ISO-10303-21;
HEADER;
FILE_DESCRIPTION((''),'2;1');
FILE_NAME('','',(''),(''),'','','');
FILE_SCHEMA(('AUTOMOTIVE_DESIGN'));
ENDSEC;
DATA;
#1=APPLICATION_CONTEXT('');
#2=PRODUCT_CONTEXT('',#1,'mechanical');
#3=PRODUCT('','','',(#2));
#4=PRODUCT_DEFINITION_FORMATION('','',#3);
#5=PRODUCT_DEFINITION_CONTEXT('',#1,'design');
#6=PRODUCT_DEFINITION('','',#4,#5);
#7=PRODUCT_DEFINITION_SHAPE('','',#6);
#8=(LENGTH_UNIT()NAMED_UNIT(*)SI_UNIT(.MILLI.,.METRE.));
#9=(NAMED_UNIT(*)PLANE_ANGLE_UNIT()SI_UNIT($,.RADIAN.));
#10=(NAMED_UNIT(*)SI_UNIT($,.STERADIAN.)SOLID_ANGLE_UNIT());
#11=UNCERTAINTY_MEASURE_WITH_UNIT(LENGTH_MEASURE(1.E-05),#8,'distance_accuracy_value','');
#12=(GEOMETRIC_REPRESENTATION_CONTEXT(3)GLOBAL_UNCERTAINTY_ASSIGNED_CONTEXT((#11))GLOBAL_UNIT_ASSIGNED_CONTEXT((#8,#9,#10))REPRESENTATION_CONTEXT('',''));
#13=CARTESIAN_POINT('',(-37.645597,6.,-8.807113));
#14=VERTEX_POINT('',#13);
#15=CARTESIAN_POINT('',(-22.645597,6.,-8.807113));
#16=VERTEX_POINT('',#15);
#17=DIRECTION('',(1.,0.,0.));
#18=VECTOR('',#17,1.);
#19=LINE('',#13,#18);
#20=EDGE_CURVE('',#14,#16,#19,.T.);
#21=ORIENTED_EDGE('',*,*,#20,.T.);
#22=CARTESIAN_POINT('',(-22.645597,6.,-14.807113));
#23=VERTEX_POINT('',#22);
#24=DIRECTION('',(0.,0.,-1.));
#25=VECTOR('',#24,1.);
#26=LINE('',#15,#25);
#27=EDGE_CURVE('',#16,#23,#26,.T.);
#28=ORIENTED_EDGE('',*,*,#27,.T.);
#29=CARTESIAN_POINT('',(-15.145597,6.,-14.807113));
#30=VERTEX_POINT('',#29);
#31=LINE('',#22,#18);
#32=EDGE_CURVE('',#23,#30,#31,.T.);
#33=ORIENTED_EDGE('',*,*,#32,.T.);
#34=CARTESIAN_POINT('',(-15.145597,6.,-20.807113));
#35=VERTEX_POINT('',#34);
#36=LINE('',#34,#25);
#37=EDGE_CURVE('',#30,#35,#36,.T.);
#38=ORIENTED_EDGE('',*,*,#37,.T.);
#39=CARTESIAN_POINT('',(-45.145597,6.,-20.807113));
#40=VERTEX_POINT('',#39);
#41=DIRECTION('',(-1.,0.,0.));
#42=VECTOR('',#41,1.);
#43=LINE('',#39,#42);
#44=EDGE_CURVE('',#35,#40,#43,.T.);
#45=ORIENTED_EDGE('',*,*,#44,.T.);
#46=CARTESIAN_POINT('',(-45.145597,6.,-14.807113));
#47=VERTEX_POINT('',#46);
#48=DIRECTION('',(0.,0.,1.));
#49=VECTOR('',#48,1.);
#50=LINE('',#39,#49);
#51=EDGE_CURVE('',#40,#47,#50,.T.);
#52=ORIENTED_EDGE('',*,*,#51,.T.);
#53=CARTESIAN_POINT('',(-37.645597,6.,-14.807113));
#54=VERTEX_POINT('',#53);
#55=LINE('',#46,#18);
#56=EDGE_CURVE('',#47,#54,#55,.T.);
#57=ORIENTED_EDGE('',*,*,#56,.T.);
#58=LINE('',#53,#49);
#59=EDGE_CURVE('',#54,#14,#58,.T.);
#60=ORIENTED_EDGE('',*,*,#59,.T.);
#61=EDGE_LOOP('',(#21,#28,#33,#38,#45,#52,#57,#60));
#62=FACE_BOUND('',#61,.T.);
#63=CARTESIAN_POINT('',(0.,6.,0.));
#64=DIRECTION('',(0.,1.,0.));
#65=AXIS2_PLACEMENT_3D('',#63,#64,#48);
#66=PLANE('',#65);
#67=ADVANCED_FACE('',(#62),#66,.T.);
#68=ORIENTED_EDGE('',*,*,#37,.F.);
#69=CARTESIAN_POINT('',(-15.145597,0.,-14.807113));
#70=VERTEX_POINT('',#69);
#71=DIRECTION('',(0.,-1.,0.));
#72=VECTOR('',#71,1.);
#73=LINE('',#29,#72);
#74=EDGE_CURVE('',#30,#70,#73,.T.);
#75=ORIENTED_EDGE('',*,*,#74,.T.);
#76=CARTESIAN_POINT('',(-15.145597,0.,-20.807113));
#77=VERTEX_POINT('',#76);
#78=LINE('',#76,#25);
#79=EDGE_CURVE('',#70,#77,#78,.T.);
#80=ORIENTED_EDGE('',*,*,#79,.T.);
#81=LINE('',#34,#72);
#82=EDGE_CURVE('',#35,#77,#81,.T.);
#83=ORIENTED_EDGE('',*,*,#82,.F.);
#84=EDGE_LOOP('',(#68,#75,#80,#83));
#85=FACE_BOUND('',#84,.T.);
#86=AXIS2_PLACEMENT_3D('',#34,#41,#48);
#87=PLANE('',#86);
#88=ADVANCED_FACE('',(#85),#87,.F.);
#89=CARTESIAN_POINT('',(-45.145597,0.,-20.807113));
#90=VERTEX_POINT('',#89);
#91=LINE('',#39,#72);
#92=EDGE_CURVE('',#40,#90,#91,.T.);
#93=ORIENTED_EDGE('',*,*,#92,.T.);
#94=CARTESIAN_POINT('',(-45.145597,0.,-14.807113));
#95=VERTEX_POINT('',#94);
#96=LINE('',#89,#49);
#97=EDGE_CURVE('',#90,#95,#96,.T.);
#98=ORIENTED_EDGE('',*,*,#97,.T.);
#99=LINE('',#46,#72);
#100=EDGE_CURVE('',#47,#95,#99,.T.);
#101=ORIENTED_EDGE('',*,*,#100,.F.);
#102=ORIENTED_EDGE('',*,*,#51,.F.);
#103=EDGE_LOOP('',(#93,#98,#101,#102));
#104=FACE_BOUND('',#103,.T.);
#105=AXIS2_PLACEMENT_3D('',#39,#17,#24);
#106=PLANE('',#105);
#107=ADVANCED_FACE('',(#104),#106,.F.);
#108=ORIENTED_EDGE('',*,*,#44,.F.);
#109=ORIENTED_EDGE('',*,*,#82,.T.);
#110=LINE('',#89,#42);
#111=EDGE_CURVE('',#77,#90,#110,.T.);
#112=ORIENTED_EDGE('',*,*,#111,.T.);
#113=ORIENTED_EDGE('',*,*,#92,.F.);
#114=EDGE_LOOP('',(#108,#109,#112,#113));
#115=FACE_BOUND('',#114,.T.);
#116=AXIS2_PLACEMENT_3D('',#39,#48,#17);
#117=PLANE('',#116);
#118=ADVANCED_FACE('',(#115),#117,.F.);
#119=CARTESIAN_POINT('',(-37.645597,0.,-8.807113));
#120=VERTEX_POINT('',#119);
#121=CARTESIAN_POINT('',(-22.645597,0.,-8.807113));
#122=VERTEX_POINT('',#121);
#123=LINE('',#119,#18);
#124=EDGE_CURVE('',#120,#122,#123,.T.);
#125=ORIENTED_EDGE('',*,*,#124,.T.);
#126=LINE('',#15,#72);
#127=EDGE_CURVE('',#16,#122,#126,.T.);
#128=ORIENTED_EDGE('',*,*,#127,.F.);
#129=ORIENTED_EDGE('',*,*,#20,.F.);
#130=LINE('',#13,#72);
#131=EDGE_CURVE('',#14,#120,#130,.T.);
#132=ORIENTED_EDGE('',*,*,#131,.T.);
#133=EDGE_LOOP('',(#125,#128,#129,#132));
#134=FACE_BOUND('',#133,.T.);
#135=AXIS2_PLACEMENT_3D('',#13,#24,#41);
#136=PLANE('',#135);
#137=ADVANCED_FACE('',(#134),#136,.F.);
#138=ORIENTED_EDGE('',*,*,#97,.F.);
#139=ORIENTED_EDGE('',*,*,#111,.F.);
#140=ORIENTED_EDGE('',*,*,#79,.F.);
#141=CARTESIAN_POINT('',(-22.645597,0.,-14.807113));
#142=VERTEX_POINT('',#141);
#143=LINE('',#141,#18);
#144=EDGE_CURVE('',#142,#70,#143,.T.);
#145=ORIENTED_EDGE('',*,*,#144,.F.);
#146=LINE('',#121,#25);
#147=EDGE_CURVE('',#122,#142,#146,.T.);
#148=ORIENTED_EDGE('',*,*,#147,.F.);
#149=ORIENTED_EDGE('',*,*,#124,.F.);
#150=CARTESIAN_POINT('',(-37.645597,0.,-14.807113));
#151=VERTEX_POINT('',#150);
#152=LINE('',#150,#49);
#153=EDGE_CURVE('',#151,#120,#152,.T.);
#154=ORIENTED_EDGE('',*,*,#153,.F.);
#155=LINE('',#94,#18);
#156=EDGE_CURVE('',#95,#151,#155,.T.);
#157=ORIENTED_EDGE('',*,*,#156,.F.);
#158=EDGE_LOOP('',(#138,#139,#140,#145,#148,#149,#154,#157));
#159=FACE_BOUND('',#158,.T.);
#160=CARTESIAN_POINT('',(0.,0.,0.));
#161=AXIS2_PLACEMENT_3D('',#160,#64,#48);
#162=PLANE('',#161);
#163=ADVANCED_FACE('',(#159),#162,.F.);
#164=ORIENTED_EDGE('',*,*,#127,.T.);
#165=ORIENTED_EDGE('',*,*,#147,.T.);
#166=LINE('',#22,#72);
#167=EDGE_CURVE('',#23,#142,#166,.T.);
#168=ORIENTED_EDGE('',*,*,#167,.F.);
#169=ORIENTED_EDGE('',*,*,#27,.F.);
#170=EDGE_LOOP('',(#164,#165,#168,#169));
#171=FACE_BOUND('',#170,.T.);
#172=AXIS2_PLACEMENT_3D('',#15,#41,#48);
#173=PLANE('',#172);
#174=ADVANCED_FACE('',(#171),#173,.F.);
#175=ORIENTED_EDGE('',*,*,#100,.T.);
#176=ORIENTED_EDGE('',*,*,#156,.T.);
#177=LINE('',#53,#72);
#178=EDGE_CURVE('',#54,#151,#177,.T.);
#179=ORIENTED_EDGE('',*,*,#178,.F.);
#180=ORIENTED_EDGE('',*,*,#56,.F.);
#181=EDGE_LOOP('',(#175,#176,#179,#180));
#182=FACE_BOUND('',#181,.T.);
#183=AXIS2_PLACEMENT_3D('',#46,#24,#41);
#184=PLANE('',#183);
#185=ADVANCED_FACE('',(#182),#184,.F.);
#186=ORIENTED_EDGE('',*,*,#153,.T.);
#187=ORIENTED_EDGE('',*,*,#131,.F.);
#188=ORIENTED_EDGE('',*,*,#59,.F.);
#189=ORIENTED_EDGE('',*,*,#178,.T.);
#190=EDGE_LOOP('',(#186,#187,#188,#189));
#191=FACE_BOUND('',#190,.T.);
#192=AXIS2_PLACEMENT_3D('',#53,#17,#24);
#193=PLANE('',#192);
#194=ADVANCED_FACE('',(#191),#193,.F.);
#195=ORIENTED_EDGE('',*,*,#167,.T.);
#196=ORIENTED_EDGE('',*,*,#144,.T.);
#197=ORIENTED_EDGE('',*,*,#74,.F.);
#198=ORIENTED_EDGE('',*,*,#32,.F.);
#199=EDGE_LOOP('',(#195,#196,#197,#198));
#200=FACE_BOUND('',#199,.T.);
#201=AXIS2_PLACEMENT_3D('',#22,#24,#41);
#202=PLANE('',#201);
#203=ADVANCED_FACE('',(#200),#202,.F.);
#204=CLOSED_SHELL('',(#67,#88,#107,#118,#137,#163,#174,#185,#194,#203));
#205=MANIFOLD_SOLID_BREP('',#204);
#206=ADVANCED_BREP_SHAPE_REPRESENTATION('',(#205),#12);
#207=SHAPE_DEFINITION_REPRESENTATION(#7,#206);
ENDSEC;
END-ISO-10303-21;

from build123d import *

# Parameters (mm, degrees)
BOSS_EXTRUDE1_DEPTH = 6


with BuildPart() as part:
    # Sketch1 → Boss-Extrude1 (new body)
    with BuildSketch(Plane(origin=(0, 0, 0), x_dir=(1, 0, 0), z_dir=(0, 1, 0))):
        Polygon((-37.645597261, 14.807112675), (-37.645597261, 8.807112675), (-22.645597261, 8.807112675), (-22.645597261, 14.807112675), (-15.145597261, 14.807112675), (-15.145597261, 20.807112675), (-45.145597261, 20.807112675), (-45.145597261, 14.807112675), align=None)
    extrude(amount=BOSS_EXTRUDE1_DEPTH)


solid = part.part
